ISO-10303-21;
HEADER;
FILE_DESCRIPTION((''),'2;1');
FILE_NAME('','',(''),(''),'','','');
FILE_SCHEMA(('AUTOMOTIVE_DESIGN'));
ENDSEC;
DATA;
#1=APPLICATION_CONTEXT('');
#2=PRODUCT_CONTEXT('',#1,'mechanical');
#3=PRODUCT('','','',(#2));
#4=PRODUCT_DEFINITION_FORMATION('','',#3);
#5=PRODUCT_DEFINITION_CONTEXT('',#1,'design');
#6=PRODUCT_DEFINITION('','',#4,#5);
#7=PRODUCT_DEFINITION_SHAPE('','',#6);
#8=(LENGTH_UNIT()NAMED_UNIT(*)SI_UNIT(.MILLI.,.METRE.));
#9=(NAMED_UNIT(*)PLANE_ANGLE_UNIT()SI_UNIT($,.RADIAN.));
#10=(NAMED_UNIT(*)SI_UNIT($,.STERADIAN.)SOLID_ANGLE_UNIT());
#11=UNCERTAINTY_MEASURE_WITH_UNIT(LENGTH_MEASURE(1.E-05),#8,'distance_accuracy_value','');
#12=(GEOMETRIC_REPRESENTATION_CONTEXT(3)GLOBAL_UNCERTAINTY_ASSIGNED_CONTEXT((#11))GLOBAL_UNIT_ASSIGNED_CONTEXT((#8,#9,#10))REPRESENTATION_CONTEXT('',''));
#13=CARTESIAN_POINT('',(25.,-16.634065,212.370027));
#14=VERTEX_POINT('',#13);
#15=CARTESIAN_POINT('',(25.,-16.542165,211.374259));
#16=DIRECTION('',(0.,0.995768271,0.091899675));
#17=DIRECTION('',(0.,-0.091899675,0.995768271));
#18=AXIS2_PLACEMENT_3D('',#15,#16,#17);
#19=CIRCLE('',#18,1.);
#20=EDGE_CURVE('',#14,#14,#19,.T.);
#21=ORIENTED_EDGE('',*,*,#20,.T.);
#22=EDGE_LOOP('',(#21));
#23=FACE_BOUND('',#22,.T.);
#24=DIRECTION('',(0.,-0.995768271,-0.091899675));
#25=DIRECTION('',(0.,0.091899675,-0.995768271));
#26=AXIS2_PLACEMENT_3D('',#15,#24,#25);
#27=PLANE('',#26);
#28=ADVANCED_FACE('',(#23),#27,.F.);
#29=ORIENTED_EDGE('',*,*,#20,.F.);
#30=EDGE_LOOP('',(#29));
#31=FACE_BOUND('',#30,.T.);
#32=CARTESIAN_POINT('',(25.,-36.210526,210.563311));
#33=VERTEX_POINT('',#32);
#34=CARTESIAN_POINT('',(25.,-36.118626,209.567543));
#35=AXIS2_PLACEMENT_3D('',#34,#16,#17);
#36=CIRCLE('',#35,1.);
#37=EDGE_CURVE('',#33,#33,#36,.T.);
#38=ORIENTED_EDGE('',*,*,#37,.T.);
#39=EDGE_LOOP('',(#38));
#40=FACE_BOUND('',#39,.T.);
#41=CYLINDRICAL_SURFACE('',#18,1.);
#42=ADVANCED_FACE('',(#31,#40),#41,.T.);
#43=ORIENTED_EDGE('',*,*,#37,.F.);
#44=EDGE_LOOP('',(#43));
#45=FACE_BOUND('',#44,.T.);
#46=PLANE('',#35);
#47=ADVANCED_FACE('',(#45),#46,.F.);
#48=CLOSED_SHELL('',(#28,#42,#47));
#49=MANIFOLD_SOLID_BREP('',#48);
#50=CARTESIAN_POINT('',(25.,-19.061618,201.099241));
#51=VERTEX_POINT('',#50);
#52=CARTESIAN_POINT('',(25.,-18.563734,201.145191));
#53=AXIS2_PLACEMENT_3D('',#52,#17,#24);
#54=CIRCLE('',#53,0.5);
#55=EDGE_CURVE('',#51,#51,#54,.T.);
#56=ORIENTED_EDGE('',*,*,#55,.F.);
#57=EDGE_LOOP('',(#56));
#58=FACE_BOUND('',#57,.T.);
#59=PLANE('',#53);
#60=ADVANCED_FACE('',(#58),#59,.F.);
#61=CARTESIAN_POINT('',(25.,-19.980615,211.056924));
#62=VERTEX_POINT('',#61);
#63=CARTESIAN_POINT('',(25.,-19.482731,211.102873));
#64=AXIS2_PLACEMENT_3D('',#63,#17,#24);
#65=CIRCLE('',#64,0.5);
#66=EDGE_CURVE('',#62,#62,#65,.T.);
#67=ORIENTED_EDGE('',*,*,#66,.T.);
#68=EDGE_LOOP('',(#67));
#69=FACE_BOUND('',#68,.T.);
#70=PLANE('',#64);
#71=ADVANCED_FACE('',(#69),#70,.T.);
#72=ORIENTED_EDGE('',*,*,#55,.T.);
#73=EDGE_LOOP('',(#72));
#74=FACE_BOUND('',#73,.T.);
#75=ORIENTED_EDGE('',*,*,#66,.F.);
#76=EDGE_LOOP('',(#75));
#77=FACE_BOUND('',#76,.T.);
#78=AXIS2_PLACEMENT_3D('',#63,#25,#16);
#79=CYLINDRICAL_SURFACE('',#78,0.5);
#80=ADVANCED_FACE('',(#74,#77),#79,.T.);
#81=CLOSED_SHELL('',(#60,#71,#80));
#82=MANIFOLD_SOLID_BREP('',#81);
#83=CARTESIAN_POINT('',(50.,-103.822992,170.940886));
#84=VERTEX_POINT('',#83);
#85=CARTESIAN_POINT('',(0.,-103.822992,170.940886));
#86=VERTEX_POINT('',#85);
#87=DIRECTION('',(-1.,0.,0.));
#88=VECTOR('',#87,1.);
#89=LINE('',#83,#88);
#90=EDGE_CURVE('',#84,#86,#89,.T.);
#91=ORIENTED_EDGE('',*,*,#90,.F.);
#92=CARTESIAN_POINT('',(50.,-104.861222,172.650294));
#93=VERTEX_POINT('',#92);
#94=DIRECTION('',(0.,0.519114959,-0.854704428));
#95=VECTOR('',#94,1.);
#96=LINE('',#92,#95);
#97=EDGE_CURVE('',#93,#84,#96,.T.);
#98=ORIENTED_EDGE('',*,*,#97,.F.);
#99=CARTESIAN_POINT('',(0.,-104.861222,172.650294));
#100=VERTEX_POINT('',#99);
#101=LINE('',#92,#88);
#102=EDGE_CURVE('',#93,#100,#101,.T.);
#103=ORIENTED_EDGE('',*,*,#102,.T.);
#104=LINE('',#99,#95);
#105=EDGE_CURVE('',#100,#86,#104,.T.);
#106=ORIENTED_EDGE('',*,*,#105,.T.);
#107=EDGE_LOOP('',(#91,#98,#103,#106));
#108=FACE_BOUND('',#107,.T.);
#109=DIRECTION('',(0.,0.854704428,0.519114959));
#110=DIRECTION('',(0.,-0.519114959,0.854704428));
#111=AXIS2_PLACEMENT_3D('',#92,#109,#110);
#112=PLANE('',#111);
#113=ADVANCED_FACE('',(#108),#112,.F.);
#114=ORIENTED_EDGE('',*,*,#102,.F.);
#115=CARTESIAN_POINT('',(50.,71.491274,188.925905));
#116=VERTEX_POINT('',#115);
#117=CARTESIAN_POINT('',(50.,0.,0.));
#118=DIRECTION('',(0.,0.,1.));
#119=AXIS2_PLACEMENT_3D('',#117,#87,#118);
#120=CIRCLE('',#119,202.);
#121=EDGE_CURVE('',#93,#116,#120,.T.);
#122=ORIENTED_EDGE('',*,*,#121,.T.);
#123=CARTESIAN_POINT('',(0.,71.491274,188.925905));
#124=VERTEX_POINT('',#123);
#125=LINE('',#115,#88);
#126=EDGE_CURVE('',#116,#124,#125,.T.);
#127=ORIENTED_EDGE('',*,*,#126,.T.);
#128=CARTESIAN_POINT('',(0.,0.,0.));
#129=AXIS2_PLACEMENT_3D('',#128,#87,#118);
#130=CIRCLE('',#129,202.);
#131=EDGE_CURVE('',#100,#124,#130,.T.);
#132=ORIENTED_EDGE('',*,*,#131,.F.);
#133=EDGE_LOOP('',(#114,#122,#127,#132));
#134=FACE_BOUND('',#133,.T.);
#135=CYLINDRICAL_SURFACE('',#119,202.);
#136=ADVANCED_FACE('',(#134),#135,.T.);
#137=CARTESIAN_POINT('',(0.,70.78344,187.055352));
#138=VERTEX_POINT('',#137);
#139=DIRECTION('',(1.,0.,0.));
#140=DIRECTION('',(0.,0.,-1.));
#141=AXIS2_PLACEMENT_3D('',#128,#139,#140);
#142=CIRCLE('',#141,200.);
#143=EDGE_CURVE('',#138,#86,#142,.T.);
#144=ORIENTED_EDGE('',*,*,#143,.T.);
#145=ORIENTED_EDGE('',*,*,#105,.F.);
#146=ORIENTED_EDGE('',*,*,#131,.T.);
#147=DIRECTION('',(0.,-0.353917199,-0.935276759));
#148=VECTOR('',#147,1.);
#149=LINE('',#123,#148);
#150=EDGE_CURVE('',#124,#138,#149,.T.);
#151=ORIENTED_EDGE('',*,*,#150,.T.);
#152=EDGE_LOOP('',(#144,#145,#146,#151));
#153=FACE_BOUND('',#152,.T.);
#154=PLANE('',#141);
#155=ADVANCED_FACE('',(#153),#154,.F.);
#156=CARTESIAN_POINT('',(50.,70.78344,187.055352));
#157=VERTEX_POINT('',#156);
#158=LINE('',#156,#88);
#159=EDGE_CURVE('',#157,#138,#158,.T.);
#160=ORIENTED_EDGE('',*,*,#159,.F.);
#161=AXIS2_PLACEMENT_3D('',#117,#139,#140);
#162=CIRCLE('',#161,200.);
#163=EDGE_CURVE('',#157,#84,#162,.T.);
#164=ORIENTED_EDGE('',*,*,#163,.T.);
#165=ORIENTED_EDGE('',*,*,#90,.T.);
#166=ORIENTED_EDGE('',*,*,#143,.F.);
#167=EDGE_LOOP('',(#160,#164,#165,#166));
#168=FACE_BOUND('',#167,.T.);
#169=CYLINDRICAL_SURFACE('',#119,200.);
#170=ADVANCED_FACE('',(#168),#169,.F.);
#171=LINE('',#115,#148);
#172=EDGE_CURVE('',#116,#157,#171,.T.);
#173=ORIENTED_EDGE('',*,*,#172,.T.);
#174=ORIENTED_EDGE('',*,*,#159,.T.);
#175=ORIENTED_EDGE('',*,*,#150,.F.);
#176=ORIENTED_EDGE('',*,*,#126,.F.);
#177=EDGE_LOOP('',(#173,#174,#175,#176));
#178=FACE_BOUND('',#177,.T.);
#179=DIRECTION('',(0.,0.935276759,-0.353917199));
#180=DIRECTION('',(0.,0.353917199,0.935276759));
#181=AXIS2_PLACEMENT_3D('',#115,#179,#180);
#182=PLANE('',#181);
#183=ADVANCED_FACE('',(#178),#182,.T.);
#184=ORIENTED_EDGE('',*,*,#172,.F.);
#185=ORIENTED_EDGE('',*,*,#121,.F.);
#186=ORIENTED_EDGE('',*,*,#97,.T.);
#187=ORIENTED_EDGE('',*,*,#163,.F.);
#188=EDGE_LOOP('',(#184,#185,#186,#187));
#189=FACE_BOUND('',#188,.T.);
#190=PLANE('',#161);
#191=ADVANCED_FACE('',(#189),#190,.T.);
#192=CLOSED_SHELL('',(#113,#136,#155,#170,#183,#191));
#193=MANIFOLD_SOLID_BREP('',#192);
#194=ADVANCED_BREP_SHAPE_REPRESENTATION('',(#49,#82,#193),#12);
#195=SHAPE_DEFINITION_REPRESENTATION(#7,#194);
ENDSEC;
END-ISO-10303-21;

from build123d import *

# Parameters (mm, degrees)
BOSS_EXTRUDE1_DEPTH = 50
SKETCH2_R           = 0.5
BOSS_EXTRUDE2_DEPTH = 10
SKETCH3_W           = 1
SKETCH3_H           = 19.659655446


with BuildPart() as part:
    # Sketch1 → Boss-Extrude1 (new body)
    with BuildSketch(Plane(origin=(0, 0, 0), x_dir=(0, 0, -1), z_dir=(1, 0, 0))):
        with BuildLine():
            Line((-188.92590538, 71.491274126), (-187.055351862, 70.783439729))
            ThreePointArc((-187.055351862, 70.783439729), (-199.153654229, -18.379934904), (-170.940885579, -103.822991854))
            Line((-170.940885579, -103.822991854), (-172.650294434, -104.861221773))
            ThreePointArc((-172.650294434, -104.861221773), (-201.145190772, -18.563734253), (-188.92590538, 71.491274126))
        make_face()
    extrude(amount=BOSS_EXTRUDE1_DEPTH)


with BuildPart() as body_2:
    # Sketch2 → Boss-Extrude2 (new body)
    with BuildSketch(Plane(origin=(0, -18.563734253, 201.145190772), x_dir=(1, 0, 0), z_dir=(0, -0.091899675, 0.995768271))):
        with Locations((25, 0)):
            Circle(SKETCH2_R)
    extrude(amount=BOSS_EXTRUDE2_DEPTH)


with BuildPart() as body_3:
    # Sketch3 → Revolve1 (revolve)
    with BuildSketch(Plane(origin=(0, -19.482730998, 211.102873483), x_dir=(1, 0, 0), z_dir=(0, -0.091899675, 0.995768271))):
        with Locations((25.5, -6.876765449)):
            Rectangle(SKETCH3_W, SKETCH3_H)
    revolve(axis=Axis((25, -16.542165283, 211.374258945), (0, -0.995768271, -0.091899675)))


solid = Compound([part.part, body_2.part, body_3.part])
